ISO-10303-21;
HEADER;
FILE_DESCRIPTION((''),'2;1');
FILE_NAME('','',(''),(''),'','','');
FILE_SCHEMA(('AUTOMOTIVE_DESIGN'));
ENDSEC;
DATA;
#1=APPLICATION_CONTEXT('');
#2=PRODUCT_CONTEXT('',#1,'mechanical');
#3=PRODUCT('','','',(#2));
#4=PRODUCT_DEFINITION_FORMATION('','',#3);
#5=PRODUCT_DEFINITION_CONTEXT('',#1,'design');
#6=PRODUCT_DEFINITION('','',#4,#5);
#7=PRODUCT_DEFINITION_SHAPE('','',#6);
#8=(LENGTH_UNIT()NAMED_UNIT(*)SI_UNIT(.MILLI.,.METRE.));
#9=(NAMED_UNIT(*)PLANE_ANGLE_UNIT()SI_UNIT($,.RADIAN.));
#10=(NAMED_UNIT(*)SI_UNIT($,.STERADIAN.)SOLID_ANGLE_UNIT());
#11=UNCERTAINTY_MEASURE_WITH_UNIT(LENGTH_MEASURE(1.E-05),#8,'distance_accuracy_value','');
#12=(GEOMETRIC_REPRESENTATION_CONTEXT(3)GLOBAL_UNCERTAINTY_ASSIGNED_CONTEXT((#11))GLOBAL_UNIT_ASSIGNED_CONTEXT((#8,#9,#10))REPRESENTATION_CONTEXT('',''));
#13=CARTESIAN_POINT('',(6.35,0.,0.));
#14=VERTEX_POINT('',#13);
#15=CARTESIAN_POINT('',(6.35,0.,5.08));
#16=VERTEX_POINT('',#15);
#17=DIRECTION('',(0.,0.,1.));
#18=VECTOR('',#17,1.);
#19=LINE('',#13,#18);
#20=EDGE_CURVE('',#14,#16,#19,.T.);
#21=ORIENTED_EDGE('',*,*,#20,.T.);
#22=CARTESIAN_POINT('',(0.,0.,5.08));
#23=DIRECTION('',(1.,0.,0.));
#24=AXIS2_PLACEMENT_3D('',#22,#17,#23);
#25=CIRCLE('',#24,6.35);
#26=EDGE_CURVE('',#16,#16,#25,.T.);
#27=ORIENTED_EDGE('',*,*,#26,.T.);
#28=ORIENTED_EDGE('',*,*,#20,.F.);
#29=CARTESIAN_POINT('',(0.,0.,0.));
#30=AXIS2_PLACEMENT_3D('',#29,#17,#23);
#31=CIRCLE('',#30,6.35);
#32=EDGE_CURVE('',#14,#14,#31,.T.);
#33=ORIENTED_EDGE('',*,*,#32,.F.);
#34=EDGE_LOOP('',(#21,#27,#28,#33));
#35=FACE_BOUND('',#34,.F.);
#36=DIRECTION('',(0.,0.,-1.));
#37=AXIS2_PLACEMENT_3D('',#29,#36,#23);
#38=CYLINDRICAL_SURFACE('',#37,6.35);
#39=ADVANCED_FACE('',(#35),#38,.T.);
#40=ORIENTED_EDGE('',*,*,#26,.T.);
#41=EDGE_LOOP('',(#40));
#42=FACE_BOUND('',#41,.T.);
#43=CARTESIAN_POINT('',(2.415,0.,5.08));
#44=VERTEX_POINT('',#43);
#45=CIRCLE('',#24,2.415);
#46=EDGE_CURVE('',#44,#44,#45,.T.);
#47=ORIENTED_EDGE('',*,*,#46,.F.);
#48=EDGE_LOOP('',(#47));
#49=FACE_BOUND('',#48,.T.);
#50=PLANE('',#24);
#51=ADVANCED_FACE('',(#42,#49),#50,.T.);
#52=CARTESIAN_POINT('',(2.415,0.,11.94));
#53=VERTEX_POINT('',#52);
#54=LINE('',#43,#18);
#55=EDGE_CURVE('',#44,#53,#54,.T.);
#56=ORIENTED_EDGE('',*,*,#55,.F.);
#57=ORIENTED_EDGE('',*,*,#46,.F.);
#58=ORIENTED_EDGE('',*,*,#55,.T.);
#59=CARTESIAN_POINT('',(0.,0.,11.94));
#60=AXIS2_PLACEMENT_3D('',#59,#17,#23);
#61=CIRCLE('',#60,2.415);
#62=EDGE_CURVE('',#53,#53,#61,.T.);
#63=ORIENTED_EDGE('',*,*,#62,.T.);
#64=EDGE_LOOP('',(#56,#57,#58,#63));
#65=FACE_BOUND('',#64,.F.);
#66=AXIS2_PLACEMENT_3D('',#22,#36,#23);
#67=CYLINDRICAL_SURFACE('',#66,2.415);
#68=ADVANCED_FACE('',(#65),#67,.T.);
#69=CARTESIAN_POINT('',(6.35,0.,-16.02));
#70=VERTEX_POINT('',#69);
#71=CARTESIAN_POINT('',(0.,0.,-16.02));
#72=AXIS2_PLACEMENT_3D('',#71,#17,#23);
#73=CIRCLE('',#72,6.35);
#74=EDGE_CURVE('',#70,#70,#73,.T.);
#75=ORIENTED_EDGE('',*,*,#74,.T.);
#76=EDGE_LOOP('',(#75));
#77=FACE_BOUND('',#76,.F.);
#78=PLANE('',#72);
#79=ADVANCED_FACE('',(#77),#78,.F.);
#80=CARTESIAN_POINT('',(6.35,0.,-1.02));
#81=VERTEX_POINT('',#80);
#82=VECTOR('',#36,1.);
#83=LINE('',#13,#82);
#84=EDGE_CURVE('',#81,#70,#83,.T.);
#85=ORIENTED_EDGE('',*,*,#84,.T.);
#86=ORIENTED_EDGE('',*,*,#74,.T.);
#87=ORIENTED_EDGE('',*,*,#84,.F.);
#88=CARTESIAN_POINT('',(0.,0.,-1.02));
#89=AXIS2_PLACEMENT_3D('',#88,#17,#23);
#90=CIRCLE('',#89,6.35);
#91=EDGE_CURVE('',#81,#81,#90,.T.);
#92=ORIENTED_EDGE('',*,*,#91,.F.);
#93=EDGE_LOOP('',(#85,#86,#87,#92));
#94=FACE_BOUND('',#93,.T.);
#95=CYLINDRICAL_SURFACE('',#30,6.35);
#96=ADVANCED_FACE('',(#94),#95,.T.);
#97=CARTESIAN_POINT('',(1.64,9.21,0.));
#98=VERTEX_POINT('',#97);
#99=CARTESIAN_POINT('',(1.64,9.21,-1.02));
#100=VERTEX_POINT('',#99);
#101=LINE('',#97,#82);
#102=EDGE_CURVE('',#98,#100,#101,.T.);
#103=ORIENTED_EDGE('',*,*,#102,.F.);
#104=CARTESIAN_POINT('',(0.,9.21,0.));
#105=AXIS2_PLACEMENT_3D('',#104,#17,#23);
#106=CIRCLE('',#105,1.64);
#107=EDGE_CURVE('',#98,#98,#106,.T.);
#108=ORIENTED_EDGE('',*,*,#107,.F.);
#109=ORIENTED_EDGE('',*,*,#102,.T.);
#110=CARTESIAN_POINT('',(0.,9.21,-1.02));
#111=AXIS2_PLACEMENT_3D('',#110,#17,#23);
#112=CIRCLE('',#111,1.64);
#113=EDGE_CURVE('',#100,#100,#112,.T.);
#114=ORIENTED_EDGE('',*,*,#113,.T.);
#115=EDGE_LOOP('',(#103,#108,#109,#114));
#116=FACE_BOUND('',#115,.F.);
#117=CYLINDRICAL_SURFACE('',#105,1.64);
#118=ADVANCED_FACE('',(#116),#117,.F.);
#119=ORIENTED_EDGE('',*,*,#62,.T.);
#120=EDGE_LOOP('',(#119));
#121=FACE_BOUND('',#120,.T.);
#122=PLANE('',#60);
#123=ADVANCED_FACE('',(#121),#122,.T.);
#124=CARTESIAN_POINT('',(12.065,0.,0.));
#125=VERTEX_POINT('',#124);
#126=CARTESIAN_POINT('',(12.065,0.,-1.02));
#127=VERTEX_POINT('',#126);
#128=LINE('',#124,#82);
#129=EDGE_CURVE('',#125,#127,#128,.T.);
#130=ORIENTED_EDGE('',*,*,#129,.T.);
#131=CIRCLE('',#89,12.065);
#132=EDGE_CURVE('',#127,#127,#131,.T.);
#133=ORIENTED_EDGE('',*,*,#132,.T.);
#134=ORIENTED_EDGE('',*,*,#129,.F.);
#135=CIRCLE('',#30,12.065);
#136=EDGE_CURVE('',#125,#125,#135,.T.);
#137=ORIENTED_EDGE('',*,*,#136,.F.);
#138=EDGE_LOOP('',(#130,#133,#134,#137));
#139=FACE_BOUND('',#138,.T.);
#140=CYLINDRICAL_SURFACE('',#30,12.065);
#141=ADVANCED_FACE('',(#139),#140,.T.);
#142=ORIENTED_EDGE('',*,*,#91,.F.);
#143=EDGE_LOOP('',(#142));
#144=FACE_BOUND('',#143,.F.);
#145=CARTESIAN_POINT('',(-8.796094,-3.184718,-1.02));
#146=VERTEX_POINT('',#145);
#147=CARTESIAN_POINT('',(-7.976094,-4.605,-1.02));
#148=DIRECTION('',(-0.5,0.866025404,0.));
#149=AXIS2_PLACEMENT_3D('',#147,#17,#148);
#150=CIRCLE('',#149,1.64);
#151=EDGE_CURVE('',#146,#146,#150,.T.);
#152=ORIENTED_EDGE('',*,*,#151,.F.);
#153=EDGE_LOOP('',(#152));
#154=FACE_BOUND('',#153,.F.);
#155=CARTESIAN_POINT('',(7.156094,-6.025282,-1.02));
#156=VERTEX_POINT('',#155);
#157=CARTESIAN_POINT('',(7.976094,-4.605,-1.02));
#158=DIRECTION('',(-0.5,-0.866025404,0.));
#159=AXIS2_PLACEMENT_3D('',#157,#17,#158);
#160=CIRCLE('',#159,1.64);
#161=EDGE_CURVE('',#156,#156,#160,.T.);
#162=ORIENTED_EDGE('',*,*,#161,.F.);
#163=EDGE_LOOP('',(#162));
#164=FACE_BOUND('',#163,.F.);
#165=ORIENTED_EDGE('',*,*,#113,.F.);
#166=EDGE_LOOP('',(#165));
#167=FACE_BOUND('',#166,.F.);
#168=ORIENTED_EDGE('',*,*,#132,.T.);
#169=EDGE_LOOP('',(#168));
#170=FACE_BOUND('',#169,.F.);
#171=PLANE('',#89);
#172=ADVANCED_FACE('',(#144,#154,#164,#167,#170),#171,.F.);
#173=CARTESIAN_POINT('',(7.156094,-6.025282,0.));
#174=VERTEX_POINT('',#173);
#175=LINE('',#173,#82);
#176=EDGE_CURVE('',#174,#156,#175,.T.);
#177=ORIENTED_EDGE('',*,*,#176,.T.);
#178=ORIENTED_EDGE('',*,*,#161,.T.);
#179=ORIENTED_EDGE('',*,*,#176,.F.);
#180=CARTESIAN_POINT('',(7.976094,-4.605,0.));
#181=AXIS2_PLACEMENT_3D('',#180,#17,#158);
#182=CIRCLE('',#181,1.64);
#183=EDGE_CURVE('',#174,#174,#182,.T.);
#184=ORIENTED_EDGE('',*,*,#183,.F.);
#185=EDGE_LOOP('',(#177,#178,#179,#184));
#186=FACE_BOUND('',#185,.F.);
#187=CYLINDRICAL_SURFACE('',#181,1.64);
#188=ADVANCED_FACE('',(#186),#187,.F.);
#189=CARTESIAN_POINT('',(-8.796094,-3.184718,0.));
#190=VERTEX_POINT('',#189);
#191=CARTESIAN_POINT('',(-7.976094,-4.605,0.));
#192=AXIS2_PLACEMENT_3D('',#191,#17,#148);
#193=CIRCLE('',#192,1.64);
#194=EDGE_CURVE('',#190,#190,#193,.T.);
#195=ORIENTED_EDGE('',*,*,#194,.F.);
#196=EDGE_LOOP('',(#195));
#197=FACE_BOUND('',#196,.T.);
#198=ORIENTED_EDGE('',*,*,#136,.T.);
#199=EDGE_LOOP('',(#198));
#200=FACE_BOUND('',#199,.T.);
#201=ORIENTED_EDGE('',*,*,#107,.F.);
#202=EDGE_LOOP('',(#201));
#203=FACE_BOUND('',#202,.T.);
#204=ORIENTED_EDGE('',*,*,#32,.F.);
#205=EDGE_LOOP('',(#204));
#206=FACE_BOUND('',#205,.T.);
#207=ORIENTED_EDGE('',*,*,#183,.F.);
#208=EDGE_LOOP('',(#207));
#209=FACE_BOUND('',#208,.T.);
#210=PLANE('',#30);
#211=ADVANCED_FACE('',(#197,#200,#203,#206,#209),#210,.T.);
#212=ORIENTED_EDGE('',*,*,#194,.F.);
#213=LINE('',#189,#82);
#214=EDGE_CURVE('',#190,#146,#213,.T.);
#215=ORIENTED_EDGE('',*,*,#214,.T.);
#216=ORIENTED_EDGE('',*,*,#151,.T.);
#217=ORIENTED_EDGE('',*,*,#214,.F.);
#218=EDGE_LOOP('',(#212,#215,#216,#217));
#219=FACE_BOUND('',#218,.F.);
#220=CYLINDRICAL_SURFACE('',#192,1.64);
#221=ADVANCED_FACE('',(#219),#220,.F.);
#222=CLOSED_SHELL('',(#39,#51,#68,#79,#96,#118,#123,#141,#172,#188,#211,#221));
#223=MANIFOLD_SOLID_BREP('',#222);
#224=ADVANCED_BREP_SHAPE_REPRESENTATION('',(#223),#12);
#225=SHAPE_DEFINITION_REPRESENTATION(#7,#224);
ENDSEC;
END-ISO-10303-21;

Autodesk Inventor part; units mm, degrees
ref_plane "YZ Plane" through (0, 0, 0) normal (1, 0, 0) x (0, 1, 0)
ref_plane "XZ Plane" through (0, 0, 0) normal (0, 1, 0) x (-1, 0, 0)
ref_plane "XY Plane" through (0, 0, 0) normal (0, 0, 1) x (1, 0, 0)
sketch "Sketch1" plane through (0, 0, 0) normal (0, 0, 1) x (1, 0, 0)
  circle A0 centre (0, 0) radius 6.35
  dimension "d0" = 12.7
extrude "Extrusion1" add sketch "Sketch1" along normal blind 5.08 and the other way blind 16.02
sketch "Sketch4" plane through (0, 0, 0) normal (0, 0, 1) x (1, 0, 0)
  circle A0 centre (0, 0) radius 12.065
  dimension "d9" = 24.13
extrude "Extrusion3" add sketch "Sketch4" against normal blind 1.02
sketch "Sketch5" plane through (0, 0, 5.08) normal (0, 0, 1) x (1, 0, 0)
  circle A0 centre (0, 0) radius 6.35 projected
  circle A1 centre (0, 0) radius 2.415
  dimension "d12" = 4.83
extrude "Extrusion4" add sketch "Sketch5" along normal blind 6.86 contours A1
sketch "Sketch6" plane through (0, 0, 0) normal (0, 0, 1) x (1, 0, 0)
  circle A0 centre (0, 0) radius 6.35 projected
  circle A1 centre (0, 9.21) radius 1.64
  circle A2 centre (0, 0) radius 9.21 construction
  line L0 (0, 0) -> (0, 14.2117) construction
  dimension "d15" = 18.42
  dimension "d16" = 3.28
extrude "Extrusion5" cut sketch "Sketch6" against normal through all contours A1
pattern_circular "Circular Pattern1" count 3 over 360 about axis through (0, 0, -10) along (0, 0, 1) of "Extrusion5"
properties part number "Slip_Ring"
